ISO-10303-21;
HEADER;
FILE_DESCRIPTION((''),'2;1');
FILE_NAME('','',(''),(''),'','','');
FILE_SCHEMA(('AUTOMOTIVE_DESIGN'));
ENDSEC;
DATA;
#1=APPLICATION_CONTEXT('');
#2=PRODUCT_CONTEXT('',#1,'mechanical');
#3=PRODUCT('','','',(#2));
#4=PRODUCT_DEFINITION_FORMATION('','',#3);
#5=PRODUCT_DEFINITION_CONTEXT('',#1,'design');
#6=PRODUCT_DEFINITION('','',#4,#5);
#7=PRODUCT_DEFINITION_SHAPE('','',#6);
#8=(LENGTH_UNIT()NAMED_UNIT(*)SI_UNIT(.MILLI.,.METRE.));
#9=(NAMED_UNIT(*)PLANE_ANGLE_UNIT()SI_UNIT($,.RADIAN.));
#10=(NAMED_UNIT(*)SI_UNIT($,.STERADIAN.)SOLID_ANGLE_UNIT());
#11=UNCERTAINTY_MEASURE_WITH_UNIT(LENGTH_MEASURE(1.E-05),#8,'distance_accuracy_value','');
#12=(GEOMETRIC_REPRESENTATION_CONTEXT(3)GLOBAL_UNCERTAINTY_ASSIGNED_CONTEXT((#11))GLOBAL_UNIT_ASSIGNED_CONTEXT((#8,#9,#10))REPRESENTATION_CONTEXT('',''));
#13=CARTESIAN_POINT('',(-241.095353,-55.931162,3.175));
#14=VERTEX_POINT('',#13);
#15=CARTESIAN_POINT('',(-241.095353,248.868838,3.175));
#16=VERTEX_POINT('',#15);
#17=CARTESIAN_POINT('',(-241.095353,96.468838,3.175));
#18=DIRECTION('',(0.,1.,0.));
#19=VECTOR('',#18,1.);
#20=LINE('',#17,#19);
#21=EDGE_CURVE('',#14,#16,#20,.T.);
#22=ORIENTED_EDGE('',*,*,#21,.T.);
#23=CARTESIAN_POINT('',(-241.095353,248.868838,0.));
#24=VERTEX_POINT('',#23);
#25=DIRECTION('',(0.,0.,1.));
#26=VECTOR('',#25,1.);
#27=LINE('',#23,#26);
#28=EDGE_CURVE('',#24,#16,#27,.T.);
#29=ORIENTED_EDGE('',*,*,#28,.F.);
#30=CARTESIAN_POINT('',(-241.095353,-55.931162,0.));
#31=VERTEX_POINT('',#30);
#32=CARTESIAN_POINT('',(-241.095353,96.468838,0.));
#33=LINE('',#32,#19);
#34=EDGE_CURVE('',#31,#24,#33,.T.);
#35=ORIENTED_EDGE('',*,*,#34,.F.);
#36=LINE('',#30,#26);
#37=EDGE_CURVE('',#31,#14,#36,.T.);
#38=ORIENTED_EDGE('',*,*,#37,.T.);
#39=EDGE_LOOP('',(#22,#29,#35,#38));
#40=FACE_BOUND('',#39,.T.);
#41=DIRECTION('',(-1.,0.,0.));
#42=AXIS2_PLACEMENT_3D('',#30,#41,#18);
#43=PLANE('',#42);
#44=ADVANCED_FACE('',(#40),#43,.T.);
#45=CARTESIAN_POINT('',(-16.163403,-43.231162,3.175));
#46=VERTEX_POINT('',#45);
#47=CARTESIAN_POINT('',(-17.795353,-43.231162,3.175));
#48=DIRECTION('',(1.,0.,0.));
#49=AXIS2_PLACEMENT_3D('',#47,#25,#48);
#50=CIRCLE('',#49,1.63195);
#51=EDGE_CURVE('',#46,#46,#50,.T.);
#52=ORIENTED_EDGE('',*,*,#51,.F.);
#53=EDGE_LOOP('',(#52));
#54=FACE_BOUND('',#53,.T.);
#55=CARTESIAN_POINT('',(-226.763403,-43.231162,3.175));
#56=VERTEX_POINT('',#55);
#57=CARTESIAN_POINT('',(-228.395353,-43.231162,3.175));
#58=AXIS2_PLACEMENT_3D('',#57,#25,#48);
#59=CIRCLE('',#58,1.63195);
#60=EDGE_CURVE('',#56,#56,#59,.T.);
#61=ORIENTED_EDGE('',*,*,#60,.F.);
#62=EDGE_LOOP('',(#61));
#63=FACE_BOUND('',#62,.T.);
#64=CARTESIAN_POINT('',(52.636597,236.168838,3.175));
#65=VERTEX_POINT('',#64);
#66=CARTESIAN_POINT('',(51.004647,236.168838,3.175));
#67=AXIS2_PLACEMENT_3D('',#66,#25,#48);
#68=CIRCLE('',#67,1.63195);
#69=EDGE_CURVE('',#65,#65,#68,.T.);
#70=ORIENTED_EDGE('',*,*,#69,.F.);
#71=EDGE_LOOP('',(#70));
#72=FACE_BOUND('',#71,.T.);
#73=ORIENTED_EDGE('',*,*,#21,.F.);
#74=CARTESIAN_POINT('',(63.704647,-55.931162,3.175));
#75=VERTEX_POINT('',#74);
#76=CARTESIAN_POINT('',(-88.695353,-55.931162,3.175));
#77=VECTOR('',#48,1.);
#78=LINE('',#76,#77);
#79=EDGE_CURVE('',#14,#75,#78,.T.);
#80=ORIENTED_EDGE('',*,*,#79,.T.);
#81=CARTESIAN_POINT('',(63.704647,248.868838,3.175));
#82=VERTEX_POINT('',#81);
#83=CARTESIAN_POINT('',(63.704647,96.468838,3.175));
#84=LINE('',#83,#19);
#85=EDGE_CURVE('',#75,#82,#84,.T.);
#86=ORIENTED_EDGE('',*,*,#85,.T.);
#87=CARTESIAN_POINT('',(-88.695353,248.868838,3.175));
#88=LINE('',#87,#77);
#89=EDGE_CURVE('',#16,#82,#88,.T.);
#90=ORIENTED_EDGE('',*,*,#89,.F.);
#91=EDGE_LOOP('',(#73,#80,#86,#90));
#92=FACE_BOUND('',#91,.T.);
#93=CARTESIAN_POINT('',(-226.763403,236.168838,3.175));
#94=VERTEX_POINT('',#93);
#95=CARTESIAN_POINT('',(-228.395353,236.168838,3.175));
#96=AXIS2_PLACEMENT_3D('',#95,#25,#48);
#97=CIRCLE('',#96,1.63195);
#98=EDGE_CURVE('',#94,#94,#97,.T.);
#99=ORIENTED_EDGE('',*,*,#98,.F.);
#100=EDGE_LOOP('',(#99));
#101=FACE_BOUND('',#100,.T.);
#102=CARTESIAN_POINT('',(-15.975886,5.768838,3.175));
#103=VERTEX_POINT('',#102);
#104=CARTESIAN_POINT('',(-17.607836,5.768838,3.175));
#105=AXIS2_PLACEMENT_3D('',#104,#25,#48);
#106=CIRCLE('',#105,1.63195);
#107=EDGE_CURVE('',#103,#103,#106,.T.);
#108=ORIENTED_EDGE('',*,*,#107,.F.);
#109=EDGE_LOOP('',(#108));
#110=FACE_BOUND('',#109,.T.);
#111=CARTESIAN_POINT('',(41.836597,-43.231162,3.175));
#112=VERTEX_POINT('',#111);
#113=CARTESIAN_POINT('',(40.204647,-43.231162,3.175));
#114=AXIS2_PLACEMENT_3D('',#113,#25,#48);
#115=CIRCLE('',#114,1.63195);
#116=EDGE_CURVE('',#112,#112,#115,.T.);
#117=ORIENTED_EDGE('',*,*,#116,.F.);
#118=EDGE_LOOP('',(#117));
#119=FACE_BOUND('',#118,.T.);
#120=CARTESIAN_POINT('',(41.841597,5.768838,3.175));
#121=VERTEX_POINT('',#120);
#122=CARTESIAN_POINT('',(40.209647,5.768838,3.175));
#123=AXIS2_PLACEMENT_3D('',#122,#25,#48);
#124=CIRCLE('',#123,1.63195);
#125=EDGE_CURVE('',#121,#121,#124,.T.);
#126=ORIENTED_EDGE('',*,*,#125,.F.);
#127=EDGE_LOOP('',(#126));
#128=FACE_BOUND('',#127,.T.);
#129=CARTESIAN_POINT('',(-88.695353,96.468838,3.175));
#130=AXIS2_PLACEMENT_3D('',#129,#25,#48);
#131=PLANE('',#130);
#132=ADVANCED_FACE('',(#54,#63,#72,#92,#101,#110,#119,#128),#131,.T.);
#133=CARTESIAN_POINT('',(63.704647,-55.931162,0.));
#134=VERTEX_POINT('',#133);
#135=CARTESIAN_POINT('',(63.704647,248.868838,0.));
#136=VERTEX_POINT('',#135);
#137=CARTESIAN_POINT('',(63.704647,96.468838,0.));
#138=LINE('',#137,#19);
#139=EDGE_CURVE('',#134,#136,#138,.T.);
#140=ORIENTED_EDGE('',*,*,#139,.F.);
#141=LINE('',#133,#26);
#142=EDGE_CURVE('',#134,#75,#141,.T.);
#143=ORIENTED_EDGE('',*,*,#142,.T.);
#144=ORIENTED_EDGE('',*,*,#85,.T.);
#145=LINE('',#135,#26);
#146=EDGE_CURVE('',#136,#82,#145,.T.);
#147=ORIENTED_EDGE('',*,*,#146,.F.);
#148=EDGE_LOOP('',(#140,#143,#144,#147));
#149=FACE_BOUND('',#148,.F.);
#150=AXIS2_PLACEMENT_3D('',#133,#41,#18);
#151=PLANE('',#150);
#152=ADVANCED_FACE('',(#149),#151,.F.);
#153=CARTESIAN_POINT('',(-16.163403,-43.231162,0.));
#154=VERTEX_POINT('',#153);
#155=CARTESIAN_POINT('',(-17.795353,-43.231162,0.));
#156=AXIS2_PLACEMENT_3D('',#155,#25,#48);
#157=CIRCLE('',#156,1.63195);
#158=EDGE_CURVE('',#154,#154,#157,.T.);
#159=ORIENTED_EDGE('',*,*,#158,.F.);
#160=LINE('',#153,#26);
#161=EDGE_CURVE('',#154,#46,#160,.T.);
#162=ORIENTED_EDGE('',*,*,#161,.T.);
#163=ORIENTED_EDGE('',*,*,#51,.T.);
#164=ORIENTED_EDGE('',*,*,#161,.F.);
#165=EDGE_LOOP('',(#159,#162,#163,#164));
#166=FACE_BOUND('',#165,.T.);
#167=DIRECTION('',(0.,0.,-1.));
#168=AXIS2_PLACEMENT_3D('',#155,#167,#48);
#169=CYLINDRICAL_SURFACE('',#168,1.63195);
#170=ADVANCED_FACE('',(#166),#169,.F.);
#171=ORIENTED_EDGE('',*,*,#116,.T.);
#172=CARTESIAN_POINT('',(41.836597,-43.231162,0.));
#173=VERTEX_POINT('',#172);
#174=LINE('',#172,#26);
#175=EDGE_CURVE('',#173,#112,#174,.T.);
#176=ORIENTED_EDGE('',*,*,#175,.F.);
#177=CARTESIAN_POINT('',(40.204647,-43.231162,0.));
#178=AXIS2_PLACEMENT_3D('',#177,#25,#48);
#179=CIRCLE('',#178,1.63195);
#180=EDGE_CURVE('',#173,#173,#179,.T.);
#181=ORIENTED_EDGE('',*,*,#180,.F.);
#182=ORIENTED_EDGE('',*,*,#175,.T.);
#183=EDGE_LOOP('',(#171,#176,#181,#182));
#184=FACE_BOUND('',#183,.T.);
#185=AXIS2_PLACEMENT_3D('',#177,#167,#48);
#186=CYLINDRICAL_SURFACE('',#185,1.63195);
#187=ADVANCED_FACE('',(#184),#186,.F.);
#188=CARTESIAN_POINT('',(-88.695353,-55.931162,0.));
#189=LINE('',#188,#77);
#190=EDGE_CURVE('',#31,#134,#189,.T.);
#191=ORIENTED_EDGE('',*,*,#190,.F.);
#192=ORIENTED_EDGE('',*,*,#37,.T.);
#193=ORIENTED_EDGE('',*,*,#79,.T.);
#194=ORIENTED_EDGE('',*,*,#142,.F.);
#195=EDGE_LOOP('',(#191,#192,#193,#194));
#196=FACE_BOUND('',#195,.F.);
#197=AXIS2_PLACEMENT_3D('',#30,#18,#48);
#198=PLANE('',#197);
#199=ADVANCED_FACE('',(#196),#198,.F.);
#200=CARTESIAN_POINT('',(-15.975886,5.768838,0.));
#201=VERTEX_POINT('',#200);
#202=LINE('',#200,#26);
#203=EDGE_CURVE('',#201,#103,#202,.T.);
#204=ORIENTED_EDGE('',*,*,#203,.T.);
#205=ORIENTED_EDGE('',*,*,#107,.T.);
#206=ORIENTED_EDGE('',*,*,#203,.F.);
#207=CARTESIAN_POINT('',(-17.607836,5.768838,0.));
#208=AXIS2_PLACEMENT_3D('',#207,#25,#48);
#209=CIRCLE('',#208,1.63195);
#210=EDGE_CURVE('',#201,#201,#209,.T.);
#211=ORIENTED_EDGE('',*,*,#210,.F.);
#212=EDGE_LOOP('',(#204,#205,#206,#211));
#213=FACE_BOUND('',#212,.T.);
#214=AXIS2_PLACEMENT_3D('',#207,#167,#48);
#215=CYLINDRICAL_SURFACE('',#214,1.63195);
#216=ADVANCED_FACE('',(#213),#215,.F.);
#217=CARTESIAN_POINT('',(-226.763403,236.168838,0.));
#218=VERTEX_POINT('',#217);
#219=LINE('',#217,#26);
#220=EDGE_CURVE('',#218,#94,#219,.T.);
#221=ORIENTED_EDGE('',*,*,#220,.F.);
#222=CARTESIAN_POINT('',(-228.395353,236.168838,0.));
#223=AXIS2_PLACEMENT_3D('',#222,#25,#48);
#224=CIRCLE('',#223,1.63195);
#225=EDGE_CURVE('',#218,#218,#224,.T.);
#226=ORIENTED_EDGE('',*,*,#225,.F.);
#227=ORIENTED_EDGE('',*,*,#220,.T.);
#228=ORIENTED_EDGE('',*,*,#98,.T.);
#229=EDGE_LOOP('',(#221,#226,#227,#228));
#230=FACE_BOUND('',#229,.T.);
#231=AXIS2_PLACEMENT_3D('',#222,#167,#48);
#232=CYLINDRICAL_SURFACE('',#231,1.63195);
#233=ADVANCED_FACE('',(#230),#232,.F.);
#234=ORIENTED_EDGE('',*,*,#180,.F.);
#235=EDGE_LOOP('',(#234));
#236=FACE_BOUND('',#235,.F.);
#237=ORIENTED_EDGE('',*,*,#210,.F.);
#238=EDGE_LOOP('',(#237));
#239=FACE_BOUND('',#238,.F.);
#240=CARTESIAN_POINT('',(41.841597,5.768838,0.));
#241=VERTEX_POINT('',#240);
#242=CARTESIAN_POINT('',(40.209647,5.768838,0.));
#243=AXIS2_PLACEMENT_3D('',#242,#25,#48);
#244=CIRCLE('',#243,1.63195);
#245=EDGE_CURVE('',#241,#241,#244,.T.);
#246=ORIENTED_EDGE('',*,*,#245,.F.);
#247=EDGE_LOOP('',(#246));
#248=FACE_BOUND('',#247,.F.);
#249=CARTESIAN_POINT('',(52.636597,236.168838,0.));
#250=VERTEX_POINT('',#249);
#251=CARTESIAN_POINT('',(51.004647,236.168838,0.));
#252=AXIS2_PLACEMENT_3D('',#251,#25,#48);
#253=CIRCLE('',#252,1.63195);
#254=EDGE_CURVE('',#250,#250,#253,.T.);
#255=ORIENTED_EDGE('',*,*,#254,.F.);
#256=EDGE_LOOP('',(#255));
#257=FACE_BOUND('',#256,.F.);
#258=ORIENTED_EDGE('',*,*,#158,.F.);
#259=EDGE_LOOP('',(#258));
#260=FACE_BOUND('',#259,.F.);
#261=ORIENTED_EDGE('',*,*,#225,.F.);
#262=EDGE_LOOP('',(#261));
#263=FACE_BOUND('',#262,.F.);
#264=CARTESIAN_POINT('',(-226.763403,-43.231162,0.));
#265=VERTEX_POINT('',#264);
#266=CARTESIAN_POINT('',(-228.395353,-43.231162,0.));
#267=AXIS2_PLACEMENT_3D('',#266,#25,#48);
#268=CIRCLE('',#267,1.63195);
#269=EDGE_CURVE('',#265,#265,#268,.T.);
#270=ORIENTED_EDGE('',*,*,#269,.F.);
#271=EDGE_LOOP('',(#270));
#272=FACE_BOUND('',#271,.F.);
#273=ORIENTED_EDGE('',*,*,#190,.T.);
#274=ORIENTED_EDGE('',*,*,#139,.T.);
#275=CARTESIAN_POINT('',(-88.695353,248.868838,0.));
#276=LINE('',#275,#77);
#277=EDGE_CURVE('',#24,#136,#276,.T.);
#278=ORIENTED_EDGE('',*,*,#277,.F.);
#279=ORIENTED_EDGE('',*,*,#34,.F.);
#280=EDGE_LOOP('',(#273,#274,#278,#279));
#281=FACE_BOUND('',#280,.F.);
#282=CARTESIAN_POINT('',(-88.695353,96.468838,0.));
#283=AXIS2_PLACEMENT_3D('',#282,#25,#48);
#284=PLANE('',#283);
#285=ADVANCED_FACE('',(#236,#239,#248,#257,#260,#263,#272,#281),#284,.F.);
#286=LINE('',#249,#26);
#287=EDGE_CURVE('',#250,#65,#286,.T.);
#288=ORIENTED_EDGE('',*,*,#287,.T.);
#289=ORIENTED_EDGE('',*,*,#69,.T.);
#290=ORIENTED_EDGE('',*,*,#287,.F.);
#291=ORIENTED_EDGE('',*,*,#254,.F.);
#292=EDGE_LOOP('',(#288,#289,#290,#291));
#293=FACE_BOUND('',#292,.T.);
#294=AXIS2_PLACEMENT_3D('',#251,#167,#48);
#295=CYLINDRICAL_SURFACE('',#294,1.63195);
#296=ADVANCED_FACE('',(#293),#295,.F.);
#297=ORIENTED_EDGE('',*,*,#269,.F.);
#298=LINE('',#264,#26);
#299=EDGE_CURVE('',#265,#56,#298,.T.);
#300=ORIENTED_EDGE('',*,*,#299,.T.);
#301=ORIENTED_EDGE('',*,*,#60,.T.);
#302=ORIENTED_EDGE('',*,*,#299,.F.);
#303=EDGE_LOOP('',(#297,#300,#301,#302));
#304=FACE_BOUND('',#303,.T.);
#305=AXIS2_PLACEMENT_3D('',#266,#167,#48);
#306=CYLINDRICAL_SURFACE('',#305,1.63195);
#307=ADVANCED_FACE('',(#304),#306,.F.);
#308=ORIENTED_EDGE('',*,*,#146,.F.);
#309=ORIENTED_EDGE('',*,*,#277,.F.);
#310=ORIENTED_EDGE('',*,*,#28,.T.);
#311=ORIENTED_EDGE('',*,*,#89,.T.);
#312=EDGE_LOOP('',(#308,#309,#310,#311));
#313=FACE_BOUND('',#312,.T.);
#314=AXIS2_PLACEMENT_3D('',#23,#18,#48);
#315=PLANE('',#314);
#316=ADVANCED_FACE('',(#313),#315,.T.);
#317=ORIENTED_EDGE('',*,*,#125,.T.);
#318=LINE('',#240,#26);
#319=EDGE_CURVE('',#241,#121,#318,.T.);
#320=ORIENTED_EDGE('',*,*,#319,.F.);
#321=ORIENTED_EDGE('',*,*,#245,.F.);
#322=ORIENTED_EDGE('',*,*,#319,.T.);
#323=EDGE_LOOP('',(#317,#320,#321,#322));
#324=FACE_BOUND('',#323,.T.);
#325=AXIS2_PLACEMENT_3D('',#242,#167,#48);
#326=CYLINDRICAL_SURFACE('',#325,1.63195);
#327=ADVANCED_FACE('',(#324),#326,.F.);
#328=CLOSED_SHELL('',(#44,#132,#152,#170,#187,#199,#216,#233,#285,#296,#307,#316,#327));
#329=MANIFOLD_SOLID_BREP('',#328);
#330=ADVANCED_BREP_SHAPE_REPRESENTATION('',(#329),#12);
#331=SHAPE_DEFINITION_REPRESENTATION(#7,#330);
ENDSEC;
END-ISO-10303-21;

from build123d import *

# Parameters (mm, degrees)
F0_W     = 304.8
F0_H     = 304.8
F0_R     = 1.63195
F1_DEPTH = 3.175


with BuildPart() as f1:
    # F0 (on Top) → F1 (new body)
    with BuildSketch(Plane.XY):
        with Locations((-88.695353, 96.468838)):
            Rectangle(F0_W, F0_H)
        with Locations((-228.395353, -43.231162)):
            Circle(F0_R, mode=Mode.SUBTRACT)
        with Locations((-17.795353, -43.231162)):
            Circle(F0_R, mode=Mode.SUBTRACT)
        with Locations((-17.607836, 5.768838)):
            Circle(F0_R, mode=Mode.SUBTRACT)
        with Locations((40.204647, -43.231162)):
            Circle(F0_R, mode=Mode.SUBTRACT)
        with Locations((40.209647, 5.768838)):
            Circle(F0_R, mode=Mode.SUBTRACT)
        with Locations((-228.395353, 236.168838)):
            Circle(F0_R, mode=Mode.SUBTRACT)
        with Locations((51.004647, 236.168838)):
            Circle(F0_R, mode=Mode.SUBTRACT)
    extrude(amount=F1_DEPTH)


solid = f1.part
